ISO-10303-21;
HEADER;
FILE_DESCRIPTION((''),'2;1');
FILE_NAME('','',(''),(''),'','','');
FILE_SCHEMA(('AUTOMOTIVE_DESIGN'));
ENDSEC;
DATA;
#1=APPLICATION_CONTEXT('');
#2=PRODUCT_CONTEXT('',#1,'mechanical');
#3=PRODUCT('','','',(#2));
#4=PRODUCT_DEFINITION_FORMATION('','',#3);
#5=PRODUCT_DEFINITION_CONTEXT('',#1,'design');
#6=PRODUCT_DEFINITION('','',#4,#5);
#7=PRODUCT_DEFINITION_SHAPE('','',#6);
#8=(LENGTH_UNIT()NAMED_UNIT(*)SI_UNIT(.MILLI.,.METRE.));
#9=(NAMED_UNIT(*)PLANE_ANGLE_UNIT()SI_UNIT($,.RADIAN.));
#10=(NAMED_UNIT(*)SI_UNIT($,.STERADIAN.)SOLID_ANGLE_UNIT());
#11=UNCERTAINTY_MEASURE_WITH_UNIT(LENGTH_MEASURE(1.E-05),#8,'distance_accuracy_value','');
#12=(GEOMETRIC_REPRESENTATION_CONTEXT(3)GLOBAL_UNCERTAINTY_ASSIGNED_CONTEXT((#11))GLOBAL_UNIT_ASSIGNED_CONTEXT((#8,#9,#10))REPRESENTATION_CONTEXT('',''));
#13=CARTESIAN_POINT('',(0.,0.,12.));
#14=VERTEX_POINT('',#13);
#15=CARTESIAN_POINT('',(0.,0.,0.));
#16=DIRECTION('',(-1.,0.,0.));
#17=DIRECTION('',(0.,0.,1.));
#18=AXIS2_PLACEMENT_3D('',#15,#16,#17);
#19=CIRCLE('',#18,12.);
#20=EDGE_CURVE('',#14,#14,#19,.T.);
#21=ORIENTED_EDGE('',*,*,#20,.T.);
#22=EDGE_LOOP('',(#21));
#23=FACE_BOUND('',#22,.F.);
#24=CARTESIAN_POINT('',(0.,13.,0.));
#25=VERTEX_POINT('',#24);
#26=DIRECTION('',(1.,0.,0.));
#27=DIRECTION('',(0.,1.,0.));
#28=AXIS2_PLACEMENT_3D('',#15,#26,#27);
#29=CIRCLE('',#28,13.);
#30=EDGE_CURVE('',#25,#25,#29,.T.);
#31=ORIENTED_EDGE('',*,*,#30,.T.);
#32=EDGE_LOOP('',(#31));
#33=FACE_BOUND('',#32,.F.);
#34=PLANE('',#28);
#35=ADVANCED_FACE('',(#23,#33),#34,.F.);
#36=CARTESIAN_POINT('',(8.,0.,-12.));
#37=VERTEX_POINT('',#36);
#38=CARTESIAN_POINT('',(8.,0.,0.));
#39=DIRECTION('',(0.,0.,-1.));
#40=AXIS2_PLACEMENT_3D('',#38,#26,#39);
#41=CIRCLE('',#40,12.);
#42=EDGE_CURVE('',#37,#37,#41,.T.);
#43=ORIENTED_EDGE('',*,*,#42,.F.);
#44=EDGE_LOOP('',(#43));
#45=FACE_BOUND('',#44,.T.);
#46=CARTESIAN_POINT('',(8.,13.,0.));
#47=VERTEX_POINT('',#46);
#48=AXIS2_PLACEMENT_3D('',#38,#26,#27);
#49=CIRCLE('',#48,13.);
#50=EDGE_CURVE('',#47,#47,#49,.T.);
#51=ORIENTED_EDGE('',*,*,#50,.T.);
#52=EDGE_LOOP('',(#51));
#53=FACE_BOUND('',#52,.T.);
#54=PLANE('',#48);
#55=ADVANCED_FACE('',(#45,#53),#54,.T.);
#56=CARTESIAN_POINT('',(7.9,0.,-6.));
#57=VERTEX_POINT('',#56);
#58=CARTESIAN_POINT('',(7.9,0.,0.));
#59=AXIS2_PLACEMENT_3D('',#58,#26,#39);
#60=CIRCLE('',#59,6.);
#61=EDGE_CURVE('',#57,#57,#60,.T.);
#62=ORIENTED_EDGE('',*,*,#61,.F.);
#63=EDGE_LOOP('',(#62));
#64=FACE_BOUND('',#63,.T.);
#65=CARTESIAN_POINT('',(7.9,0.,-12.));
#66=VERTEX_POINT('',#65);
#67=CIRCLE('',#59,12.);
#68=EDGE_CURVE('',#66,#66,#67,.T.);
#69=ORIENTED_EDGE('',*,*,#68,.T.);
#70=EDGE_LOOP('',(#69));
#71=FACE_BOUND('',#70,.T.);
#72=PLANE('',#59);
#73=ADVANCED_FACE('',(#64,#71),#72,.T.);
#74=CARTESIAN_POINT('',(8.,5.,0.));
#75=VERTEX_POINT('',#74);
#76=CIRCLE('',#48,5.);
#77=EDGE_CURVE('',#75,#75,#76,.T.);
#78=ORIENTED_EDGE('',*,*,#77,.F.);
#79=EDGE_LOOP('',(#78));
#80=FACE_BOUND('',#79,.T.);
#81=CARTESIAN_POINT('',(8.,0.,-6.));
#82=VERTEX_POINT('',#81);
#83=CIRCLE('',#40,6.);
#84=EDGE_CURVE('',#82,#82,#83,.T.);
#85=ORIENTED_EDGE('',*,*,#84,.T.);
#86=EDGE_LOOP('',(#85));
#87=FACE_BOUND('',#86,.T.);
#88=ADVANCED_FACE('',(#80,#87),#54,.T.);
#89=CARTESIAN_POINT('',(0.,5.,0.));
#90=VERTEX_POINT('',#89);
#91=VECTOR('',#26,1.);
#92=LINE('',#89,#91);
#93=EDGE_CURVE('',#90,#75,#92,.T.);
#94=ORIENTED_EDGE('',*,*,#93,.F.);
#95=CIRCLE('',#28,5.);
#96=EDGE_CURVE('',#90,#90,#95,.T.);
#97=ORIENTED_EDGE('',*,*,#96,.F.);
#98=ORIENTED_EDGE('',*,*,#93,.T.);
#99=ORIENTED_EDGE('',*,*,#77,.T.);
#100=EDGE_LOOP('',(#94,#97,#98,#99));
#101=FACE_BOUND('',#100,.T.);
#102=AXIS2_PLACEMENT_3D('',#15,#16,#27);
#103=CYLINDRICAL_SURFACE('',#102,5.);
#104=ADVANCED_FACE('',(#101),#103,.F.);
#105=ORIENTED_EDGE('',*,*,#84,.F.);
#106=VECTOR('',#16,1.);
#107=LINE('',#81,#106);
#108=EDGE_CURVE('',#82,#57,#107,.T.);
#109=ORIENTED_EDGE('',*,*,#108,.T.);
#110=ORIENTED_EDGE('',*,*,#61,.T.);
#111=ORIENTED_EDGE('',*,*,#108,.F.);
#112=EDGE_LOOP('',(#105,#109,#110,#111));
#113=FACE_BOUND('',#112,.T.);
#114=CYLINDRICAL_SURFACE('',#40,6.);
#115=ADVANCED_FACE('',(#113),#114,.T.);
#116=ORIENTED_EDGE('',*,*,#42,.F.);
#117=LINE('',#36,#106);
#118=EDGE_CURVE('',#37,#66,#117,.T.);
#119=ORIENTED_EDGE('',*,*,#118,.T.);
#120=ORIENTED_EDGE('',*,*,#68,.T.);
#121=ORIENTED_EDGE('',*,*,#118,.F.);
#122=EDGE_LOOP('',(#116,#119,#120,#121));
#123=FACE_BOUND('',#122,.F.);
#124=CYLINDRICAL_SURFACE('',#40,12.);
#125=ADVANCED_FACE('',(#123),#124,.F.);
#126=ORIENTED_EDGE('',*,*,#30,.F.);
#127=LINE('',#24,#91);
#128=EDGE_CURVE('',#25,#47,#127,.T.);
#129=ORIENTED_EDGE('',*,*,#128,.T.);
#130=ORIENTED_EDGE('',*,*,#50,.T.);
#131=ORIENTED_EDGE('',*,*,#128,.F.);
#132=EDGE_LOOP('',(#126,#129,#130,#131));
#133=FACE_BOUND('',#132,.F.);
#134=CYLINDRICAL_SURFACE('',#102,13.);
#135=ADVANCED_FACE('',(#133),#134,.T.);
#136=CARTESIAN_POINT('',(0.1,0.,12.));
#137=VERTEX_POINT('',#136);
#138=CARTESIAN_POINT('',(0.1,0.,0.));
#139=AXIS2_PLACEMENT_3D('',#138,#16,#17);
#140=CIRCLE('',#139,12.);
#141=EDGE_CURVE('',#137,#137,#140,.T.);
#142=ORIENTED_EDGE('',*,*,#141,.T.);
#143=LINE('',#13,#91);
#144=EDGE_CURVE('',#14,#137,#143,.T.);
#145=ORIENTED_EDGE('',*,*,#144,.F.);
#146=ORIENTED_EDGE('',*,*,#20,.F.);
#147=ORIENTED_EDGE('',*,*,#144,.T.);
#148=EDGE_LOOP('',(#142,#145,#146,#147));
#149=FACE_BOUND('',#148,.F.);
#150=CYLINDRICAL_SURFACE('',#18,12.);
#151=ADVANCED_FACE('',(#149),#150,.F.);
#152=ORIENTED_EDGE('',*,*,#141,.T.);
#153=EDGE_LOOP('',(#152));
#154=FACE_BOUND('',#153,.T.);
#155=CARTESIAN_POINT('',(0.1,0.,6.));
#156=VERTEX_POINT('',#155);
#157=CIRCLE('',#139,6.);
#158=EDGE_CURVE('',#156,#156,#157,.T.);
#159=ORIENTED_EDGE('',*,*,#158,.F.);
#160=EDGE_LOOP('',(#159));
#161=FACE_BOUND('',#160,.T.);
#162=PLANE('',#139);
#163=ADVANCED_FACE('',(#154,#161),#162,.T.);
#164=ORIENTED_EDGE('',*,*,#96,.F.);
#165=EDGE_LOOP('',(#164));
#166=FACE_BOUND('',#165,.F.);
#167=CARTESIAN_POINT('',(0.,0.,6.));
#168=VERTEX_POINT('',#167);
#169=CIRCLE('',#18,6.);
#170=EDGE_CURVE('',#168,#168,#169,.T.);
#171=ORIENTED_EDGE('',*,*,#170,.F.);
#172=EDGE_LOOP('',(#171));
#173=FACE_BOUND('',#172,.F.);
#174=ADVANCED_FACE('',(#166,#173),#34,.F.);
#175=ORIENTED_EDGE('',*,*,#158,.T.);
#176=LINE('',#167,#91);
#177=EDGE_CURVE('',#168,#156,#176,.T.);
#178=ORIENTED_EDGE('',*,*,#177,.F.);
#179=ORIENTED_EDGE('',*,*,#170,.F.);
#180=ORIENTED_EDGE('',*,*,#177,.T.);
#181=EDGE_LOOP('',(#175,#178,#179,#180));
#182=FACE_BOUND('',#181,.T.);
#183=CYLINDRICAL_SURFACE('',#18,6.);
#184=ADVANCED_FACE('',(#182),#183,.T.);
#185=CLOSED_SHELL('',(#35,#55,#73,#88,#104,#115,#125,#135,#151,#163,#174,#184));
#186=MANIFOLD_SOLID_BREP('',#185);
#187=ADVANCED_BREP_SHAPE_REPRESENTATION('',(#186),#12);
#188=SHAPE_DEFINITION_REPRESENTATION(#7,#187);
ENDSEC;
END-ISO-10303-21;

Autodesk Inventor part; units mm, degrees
ref_plane "YZ Plane" through (0, 0, 0) normal (1, 0, 0) x (0, 1, 0)
ref_plane "XZ Plane" through (0, 0, 0) normal (0, 1, 0) x (-1, 0, 0)
ref_plane "XY Plane" through (0, 0, 0) normal (0, 0, 1) x (1, 0, 0)
sketch "スケッチ1" plane through (0, 0, 0) normal (1, 0, 0) x (0, 1, 0)
  circle A0 centre (0, 0) radius 5
  circle A1 centre (0, 0) radius 13
  dimension "d0" = 10
  dimension "d1" = 26
extrude "押し出し1" add sketch "スケッチ1" along normal blind 8
sketch "スケッチ2" plane through (8, 0, 0) normal (1, 0, 0) x (0, 0, -1)
  circle A0 centre (0, 0) radius 6
  circle A1 centre (0, 0) radius 12
  dimension "d4" = 12
  dimension "d5" = 24
extrude "押し出し2" cut sketch "スケッチ2" against normal blind 0.1
sketch "スケッチ3" plane through (0, 0, 0) normal (-1, 0, 0) x (0, 0, 1)
  circle A0 centre (0, 0) radius 6
  circle A1 centre (0, 0) radius 12
  dimension "d8" = 12
  dimension "d9" = 24
extrude "押し出し3" cut sketch "スケッチ3" against normal blind 0.1
properties part number "Bearing_6000ZZ" material "鋼、炭素鋼"
